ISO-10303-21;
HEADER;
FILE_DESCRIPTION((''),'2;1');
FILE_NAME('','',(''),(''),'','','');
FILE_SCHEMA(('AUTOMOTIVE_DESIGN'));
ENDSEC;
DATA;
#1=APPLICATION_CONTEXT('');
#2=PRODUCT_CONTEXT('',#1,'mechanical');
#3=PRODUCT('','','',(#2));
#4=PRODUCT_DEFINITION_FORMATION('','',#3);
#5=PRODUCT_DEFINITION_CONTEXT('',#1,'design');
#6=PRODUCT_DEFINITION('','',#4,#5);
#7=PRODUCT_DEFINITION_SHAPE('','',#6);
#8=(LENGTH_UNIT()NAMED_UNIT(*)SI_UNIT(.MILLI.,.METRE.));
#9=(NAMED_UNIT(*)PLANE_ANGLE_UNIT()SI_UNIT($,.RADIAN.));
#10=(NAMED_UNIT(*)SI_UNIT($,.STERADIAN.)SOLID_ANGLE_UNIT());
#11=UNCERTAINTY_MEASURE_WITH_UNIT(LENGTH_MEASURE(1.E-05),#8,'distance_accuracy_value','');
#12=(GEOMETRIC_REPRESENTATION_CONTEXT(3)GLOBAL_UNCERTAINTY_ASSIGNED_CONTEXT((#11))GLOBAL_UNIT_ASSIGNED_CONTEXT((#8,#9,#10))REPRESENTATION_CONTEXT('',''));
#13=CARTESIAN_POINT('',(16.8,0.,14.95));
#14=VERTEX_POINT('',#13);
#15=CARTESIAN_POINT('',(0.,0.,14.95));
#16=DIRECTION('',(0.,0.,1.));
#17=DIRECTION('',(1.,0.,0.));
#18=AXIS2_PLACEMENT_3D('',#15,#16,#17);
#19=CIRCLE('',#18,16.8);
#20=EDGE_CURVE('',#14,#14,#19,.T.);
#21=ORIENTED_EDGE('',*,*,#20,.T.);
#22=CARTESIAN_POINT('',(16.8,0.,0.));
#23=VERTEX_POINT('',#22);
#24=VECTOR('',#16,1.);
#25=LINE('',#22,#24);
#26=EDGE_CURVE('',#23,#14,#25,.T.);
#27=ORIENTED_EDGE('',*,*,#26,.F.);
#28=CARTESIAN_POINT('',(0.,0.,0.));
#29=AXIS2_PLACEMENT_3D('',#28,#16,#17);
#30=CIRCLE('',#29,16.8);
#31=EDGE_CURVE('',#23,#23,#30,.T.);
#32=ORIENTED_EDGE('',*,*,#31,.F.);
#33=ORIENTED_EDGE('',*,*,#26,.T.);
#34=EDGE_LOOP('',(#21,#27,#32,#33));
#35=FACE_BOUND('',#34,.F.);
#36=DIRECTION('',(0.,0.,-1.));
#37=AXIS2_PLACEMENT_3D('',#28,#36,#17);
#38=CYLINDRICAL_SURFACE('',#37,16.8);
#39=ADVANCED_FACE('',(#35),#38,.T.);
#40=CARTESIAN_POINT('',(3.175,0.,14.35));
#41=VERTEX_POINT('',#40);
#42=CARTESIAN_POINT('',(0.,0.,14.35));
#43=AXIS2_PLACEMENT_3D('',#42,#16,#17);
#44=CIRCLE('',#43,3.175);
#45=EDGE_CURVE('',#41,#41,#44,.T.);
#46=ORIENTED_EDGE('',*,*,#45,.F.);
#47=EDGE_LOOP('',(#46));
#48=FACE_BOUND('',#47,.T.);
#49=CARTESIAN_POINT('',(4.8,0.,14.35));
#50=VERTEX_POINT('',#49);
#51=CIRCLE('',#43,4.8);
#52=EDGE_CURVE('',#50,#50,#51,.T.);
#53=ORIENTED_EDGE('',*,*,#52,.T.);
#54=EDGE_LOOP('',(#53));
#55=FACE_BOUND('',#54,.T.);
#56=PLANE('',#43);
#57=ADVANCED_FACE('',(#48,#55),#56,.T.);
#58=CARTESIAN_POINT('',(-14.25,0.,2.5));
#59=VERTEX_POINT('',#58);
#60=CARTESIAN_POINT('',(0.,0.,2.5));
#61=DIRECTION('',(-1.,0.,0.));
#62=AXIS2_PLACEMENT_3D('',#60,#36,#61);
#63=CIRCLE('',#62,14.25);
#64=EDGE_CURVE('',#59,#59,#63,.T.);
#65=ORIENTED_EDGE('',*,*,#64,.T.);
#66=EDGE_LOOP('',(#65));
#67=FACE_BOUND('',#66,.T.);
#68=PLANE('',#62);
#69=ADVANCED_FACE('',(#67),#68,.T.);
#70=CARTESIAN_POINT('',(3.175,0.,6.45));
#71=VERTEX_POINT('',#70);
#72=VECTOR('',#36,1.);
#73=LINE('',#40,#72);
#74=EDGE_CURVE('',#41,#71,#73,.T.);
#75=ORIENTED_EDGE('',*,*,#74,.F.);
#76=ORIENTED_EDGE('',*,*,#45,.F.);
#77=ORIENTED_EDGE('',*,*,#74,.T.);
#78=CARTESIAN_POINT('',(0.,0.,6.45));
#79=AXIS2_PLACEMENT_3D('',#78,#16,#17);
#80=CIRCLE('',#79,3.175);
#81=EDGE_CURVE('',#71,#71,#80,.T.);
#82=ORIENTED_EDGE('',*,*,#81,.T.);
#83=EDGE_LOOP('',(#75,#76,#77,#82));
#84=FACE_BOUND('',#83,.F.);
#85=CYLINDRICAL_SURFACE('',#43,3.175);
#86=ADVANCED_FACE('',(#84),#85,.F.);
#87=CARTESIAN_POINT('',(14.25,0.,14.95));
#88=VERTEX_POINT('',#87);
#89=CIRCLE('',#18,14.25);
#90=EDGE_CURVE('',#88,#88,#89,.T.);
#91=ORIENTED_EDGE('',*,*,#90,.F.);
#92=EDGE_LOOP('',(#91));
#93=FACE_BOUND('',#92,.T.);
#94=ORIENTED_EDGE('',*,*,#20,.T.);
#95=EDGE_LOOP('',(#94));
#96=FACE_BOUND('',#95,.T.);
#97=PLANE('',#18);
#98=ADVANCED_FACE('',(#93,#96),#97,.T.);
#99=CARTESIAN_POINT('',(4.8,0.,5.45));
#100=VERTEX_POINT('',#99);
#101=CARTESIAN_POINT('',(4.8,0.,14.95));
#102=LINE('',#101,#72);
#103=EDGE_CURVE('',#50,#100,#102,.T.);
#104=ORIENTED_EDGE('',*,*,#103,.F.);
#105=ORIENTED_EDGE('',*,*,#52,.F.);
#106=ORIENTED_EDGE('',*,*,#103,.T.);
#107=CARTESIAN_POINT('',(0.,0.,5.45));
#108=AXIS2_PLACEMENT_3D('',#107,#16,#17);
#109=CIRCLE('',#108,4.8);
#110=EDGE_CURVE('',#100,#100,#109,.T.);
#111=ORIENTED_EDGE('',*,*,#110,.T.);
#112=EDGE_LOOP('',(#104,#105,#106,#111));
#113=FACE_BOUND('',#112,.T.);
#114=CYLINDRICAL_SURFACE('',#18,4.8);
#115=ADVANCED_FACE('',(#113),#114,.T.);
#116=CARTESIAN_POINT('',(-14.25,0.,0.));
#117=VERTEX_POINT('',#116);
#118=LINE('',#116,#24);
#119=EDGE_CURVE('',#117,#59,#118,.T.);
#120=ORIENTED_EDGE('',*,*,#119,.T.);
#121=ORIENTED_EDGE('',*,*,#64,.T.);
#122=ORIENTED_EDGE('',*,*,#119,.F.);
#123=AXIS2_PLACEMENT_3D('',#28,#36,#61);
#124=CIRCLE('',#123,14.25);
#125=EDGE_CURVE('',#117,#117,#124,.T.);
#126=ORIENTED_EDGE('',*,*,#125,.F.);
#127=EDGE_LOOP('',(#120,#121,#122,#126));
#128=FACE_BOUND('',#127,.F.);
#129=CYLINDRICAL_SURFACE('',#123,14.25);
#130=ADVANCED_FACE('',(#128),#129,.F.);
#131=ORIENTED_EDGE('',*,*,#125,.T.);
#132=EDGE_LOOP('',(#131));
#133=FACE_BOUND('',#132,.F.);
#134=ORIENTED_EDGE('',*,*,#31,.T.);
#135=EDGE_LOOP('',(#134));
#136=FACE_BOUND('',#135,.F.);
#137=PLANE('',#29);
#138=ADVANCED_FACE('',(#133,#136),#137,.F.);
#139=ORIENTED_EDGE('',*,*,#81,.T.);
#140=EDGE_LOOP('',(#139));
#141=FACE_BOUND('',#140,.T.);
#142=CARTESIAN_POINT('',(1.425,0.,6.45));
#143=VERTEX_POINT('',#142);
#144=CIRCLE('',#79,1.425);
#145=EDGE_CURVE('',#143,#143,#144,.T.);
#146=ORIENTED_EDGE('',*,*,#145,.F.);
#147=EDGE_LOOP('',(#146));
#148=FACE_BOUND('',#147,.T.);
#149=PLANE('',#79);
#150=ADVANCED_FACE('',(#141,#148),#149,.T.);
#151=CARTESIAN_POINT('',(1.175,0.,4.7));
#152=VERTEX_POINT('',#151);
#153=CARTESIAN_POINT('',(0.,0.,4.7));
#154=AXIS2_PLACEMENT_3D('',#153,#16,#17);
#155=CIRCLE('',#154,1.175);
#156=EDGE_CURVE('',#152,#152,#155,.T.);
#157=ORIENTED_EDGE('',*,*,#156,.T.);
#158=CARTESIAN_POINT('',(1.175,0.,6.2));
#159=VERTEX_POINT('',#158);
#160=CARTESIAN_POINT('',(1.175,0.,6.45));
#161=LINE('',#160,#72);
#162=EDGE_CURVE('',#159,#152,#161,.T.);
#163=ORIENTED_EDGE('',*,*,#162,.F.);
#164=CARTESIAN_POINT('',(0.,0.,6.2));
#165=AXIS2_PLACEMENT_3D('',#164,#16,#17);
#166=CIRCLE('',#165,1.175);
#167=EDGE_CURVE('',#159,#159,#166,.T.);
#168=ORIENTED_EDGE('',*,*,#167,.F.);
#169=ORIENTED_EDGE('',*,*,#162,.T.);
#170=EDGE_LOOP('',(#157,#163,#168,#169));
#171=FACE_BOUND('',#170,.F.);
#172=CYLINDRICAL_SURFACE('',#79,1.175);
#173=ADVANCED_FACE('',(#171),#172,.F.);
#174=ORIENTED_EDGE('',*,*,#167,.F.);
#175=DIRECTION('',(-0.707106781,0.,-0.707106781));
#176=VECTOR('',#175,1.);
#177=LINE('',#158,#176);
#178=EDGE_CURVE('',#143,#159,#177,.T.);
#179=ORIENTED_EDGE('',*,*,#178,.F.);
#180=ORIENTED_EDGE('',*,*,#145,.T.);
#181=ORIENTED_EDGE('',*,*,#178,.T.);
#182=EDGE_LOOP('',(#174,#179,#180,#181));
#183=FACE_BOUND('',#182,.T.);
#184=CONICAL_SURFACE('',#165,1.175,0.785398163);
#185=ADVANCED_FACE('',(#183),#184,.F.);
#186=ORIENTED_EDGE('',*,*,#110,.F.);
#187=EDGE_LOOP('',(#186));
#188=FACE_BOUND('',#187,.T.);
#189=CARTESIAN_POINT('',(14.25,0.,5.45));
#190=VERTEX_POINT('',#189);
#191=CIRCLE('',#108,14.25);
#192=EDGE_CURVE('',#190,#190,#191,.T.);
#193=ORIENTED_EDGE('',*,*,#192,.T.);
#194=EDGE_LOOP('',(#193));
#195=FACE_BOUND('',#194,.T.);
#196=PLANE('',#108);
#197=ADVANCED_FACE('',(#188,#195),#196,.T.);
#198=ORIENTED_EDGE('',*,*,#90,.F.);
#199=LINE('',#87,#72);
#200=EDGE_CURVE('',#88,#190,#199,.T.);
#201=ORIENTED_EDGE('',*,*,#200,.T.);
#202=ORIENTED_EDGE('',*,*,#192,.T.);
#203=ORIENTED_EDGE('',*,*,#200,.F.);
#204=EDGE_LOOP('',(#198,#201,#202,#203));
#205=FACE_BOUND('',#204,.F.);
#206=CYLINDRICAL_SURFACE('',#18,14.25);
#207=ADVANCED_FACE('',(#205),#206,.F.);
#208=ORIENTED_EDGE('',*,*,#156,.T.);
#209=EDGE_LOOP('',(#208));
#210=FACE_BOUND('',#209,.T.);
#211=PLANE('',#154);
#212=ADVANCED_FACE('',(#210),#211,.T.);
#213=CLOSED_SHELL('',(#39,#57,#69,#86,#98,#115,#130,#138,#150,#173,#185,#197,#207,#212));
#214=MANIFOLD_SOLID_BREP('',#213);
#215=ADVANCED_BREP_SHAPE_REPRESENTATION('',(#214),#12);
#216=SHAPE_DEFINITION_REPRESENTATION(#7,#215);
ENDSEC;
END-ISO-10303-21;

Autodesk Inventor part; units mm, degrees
ref_plane "YZ Plane" through (0, 0, 0) normal (1, 0, 0) x (0, 1, 0)
ref_plane "XZ Plane" through (0, 0, 0) normal (0, 1, 0) x (-1, 0, 0)
ref_plane "XY Plane" through (0, 0, 0) normal (0, 0, 1) x (1, 0, 0)
sketch "Esboço1" plane through (0, 0, 0) normal (0, 0, 1) x (1, 0, 0)
  circle A0 centre (0, 0) radius 16.8
  dimension "d0" = 33.6
extrude "Extrusão1" add sketch "Esboço1" along normal blind 14.95
sketch "Esboço6" plane through (0, 0, 0) normal (0, 0, -1) x (-1, 0, 0)
  circle A0 centre (0, 0) radius 14.25
  dimension "d15" = 28.5
extrude "Extrusão6" cut sketch "Esboço6" against normal blind 2.5
sketch "Esboço7" plane through (0, 0, 14.95) normal (0, 0, 1) x (1, 0, 0)
  circle A0 centre (0, 0) radius 14.25
  circle A1 centre (0, 0) radius 4.8
  dimension "d18" = 28.5
  dimension "d19" = 9.6
extrude "Extrusão7" cut sketch "Esboço7" against normal blind 9.5
sketch "Esboço8" plane through (0, 0, 14.95) normal (0, 0, 1) x (1, 0, 0)
  circle A0 centre (0, 0) radius 4.8
extrude "Extrusão8" cut sketch "Esboço8" against normal blind 0.6
sketch "Esboço9" plane through (0, 0, 14.35) normal (0, 0, 1) x (1, 0, 0)
  circle A0 centre (0, 0) radius 4.8 projected
  circle A1 centre (0, 0) radius 3.175
  dimension "d24" = 6.35
extrude "Extrusão9" cut sketch "Esboço9" against normal blind 7.9 contours A1
sketch "Esboço10" plane through (0, 0, 6.45) normal (0, 0, 1) x (1, 0, 0)
  circle A0 centre (0, 0) radius 1.175
  dimension "d27" = 2.35
extrude "Extrusão10" cut sketch "Esboço10" against normal blind 1.75
chamfer "Chanfro1" distance 0.25 angle 45 1 edges at (-1.175, 0, 6.45)
properties part number "roda"
